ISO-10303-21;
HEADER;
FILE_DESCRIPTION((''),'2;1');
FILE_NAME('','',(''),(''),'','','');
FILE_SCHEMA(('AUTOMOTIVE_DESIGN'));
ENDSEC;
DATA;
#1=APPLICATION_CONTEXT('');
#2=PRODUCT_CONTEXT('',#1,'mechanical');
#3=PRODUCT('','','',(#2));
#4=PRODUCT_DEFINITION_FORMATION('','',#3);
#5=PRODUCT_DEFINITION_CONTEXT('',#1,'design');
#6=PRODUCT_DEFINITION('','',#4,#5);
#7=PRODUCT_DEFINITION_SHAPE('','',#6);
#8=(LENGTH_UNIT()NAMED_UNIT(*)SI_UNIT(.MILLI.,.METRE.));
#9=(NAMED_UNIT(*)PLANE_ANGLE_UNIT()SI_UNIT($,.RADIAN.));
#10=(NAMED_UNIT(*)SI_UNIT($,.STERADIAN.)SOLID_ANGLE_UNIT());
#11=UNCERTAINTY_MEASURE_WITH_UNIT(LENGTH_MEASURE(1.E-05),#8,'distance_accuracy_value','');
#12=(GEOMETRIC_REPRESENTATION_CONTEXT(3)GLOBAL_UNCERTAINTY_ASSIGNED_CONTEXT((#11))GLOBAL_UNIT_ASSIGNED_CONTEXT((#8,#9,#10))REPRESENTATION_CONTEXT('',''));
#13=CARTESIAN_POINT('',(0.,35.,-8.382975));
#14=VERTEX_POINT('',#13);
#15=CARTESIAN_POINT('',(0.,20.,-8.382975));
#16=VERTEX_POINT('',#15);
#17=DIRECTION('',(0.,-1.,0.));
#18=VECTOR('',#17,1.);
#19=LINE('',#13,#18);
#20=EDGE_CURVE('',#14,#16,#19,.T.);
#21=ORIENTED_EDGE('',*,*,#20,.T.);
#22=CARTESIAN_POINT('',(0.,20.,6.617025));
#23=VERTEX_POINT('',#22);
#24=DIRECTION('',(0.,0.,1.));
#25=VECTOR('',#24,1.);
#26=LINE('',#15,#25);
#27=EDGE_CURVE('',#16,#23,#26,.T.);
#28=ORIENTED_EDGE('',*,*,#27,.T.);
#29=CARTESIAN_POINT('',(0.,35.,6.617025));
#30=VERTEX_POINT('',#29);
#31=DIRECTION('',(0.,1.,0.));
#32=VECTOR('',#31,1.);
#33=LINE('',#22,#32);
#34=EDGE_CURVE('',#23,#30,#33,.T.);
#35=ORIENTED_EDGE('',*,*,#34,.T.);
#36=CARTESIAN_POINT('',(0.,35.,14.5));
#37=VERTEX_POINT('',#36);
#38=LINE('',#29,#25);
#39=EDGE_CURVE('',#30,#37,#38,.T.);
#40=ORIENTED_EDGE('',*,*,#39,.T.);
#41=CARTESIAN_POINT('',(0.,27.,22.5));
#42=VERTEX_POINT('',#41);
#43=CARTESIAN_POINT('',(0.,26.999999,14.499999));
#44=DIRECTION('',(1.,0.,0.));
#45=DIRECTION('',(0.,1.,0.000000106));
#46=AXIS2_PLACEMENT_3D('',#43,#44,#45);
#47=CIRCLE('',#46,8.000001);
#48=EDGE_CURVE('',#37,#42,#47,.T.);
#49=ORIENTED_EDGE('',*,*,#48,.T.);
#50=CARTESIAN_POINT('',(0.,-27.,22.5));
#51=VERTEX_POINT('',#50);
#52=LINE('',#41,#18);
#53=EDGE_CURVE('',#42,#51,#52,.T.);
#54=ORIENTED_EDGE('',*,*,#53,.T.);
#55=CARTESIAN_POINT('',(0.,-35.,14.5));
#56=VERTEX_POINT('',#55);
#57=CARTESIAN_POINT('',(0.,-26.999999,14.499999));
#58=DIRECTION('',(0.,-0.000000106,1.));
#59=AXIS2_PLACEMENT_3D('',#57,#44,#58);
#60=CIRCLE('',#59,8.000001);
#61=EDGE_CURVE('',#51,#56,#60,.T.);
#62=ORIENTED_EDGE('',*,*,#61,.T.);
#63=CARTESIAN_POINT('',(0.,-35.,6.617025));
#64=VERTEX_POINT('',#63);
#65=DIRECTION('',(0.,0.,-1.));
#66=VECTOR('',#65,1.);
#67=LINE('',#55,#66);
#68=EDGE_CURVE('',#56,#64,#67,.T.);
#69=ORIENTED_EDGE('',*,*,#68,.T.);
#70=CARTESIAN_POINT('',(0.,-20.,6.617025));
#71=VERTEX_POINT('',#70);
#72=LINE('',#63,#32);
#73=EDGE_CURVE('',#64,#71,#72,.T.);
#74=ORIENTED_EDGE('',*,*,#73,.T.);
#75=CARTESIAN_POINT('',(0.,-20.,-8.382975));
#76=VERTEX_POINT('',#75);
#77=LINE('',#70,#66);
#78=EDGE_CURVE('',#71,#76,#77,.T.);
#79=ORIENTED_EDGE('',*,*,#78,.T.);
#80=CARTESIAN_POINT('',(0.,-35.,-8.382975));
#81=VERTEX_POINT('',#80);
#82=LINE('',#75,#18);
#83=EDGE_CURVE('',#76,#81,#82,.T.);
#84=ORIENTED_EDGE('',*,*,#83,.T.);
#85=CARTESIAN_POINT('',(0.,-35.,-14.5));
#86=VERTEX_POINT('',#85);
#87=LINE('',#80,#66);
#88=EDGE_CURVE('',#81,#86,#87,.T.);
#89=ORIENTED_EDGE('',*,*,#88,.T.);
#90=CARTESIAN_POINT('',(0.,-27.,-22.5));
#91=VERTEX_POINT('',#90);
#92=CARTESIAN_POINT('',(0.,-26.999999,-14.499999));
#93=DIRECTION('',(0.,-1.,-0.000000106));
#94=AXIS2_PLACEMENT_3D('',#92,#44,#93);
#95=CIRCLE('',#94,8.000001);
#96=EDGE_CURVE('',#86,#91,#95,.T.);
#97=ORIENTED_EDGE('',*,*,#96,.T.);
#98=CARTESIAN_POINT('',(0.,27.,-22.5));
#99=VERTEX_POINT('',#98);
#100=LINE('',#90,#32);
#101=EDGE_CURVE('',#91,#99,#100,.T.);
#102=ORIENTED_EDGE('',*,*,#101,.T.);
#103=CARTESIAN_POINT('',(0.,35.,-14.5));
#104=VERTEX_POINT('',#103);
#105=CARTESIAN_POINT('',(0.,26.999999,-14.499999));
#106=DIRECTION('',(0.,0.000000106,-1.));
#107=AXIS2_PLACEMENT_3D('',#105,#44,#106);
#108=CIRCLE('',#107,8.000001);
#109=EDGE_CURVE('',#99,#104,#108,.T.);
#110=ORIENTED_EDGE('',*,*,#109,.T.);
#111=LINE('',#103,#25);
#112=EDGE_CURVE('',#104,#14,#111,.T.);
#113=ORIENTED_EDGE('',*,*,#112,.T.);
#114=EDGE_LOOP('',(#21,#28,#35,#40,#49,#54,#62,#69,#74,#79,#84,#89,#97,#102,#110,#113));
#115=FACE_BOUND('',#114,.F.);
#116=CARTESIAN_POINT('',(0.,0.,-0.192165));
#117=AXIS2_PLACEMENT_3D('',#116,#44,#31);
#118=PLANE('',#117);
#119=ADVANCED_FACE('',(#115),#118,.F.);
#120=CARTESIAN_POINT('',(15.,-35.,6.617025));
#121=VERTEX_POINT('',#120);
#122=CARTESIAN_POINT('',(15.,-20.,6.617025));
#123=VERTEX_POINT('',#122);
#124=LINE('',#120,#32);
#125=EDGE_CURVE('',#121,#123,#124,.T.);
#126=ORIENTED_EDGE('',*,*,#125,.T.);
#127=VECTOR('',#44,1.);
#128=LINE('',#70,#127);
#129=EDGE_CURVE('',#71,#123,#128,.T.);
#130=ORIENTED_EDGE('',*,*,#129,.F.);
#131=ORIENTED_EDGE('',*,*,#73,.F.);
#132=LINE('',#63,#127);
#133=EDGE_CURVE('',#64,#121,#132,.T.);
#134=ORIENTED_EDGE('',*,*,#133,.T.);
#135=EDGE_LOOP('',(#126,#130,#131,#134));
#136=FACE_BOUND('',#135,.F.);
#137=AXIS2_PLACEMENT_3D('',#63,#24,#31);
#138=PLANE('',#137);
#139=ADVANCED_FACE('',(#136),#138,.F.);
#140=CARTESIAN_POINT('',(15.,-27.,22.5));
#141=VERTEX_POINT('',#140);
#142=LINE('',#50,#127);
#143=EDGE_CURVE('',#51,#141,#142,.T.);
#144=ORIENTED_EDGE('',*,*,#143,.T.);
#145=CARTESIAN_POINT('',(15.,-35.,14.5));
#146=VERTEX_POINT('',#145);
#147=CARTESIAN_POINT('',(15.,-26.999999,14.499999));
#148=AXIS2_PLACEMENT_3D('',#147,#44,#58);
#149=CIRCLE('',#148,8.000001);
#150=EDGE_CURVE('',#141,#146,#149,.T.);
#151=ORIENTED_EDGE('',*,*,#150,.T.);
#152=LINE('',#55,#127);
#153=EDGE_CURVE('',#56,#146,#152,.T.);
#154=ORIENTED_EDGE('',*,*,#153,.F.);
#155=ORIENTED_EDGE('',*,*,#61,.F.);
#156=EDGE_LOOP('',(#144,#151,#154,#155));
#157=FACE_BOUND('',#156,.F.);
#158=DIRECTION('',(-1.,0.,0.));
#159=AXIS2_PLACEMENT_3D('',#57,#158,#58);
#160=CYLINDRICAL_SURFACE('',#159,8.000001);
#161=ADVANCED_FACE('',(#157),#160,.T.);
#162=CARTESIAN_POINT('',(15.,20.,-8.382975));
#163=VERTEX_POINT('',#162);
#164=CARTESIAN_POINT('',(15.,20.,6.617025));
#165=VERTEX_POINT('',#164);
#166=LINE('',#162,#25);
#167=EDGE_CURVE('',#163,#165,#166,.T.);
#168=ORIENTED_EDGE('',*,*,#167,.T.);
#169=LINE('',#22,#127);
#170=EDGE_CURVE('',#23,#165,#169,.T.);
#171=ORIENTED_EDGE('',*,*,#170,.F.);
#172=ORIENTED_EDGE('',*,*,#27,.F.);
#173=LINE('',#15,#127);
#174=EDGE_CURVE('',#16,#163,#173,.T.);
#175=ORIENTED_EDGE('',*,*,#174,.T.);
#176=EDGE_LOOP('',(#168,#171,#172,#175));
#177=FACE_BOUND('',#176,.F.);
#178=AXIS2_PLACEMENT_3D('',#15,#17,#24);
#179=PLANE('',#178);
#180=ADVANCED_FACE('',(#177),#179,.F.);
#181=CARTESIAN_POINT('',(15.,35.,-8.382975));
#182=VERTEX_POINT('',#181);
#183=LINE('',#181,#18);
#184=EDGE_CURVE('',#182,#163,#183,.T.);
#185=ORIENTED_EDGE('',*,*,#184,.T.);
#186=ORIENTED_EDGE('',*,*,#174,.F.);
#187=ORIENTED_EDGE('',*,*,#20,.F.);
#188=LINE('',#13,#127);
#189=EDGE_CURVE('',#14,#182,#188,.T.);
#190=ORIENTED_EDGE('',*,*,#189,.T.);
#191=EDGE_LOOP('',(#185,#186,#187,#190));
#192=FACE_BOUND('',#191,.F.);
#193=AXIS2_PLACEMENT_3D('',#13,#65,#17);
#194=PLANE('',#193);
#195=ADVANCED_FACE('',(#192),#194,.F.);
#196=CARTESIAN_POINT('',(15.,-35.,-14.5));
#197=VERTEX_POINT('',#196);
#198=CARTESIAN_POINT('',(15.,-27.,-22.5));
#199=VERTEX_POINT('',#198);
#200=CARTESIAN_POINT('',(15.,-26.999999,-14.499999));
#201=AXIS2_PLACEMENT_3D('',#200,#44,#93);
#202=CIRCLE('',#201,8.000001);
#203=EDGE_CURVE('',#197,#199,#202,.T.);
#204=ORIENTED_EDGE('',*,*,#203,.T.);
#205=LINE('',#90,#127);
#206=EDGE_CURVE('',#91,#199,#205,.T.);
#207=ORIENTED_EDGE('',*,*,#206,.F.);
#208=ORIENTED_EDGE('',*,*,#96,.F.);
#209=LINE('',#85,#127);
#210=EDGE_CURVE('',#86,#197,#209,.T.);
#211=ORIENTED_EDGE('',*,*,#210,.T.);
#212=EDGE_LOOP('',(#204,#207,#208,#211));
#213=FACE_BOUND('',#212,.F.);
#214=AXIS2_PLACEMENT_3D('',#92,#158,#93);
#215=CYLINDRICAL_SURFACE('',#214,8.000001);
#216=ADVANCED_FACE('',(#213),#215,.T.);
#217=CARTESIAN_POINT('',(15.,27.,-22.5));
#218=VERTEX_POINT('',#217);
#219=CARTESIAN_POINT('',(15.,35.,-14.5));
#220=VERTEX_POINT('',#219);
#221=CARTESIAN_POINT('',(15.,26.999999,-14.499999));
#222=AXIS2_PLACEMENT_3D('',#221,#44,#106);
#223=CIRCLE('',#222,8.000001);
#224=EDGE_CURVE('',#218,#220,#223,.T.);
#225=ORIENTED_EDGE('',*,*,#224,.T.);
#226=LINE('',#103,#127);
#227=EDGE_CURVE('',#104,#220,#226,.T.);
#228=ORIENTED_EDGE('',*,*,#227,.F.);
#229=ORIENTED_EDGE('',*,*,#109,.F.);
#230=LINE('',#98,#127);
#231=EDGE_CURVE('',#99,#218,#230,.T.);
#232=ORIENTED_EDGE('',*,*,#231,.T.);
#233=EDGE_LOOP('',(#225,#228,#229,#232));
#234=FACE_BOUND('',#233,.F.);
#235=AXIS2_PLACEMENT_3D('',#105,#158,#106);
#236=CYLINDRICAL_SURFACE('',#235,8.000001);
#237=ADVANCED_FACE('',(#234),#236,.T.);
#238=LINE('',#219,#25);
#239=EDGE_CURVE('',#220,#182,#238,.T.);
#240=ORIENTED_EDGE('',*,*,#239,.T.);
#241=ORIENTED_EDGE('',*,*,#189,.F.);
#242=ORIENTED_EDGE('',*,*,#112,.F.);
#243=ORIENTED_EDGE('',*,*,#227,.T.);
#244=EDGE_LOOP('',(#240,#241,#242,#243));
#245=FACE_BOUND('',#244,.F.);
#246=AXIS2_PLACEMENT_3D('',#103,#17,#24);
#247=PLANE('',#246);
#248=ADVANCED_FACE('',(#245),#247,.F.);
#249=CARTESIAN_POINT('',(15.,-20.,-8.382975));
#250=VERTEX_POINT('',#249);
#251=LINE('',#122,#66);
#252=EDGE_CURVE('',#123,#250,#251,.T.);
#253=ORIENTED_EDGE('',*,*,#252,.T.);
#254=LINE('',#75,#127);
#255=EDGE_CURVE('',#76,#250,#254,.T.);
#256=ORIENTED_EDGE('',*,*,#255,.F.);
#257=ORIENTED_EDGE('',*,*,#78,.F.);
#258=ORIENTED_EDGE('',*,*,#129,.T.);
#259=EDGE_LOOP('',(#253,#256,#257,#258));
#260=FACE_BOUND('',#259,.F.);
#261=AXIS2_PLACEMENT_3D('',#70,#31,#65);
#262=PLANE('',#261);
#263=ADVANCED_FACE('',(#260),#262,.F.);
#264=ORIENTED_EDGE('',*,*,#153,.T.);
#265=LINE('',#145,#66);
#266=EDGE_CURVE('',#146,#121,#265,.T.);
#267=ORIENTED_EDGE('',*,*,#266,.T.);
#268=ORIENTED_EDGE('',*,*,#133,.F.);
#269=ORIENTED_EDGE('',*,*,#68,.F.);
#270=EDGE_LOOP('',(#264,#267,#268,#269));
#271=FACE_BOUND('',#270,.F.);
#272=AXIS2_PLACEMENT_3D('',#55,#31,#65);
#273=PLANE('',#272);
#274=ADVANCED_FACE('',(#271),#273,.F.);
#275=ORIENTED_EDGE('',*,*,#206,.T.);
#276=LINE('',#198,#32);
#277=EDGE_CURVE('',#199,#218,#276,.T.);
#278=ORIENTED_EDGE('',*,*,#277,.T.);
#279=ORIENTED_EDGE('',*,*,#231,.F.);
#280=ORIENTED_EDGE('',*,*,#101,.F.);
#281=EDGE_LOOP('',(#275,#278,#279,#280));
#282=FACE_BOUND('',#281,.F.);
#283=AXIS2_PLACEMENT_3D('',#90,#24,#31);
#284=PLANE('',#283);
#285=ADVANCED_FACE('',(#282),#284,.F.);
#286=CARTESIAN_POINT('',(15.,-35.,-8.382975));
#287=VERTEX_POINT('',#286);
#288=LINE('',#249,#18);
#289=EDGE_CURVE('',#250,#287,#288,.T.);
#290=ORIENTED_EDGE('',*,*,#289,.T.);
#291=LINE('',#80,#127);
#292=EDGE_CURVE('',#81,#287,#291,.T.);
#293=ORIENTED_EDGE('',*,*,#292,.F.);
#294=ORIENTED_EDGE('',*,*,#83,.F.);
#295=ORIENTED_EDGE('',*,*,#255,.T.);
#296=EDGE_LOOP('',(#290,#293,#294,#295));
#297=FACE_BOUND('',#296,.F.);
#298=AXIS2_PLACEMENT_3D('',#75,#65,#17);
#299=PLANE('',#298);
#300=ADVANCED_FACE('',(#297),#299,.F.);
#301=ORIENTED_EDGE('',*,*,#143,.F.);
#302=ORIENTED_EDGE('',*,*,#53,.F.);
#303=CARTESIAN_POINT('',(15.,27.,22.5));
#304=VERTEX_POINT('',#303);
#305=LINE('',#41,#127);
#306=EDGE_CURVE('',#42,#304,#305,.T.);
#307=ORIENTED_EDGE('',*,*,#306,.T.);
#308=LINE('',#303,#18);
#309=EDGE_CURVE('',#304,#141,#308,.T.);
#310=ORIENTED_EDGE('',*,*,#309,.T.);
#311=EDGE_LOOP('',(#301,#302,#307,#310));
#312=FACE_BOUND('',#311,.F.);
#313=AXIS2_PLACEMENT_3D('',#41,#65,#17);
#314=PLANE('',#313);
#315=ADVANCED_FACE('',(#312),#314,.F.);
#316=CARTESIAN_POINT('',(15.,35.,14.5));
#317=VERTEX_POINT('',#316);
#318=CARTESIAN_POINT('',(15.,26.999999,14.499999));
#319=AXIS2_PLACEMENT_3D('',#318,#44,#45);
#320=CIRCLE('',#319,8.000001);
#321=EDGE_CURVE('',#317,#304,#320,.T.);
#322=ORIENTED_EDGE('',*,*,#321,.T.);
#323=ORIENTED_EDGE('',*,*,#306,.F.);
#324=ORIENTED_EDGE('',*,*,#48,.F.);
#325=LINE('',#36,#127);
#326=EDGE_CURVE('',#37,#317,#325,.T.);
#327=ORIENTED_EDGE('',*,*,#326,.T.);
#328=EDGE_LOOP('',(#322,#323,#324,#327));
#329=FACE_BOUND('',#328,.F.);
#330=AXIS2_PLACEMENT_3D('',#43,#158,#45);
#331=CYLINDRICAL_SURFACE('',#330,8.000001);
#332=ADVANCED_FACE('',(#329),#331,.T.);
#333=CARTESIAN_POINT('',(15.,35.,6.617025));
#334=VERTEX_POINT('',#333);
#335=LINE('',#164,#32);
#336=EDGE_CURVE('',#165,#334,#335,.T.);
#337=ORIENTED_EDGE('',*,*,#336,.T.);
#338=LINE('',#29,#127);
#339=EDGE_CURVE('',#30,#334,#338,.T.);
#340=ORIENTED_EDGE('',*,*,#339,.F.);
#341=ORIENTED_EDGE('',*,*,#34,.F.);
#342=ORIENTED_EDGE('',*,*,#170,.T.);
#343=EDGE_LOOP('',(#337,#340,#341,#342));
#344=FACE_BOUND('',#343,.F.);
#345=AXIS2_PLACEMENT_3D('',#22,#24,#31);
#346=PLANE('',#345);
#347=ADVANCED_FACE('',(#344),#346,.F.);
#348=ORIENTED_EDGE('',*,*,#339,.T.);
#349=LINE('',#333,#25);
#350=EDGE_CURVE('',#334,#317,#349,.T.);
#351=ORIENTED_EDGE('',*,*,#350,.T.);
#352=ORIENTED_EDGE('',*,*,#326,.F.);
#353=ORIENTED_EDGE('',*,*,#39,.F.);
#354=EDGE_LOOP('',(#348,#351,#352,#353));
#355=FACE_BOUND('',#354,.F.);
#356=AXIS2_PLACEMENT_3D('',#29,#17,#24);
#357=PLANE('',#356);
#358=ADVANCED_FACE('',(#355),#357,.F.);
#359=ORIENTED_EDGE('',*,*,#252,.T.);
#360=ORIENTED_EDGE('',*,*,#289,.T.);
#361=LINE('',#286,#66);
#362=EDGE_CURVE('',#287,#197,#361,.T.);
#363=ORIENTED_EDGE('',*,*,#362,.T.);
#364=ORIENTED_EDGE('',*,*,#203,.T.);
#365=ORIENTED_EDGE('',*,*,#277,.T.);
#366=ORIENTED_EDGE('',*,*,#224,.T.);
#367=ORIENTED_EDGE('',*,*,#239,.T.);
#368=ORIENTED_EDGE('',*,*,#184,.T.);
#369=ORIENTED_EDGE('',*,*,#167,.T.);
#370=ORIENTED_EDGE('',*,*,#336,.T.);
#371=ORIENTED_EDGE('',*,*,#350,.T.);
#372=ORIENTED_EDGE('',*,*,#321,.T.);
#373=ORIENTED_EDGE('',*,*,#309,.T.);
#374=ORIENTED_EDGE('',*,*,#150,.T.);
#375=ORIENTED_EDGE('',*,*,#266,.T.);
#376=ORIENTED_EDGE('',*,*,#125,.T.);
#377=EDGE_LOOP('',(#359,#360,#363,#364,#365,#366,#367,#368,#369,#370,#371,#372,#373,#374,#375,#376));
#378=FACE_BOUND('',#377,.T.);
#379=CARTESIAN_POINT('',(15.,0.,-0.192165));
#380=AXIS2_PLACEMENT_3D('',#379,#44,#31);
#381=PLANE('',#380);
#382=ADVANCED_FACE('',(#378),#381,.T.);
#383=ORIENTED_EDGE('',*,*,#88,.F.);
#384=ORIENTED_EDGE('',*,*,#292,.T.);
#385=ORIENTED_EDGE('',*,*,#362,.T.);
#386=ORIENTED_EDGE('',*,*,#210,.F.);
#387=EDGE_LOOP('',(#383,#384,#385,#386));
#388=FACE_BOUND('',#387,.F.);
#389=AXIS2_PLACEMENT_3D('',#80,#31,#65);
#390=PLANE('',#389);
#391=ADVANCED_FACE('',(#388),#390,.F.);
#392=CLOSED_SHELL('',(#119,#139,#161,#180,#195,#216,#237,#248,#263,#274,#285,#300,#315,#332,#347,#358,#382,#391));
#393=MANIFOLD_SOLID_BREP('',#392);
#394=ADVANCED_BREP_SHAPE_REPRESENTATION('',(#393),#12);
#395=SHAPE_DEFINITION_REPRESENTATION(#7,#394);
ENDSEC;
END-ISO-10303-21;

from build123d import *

# Parameters (mm, degrees)
F1_DEPTH = 15


with BuildPart() as f1:
    # F0 (on Right) → F1 (new body)
    with BuildSketch(Plane.YZ):
        with BuildLine():
            ThreePointArc((35, 14.5), (32.656854, 20.156854), (27, 22.5))
            Line((27, 22.5), (-27, 22.5))
            ThreePointArc((-27, 22.5), (-32.656854, 20.156854), (-35, 14.5))
            Line((-35, 14.5), (-35, 6.617025))
            Line((-35, 6.617025), (-20, 6.617025))
            Line((-20, 6.617025), (-20, -8.382975))
            Line((-20, -8.382975), (-35, -8.382975))
            Line((-35, -8.382975), (-35, -14.5))
            ThreePointArc((-35, -14.5), (-32.656854, -20.156854), (-27, -22.5))
            Line((-27, -22.5), (27, -22.5))
            ThreePointArc((27, -22.5), (32.656854, -20.156854), (35, -14.5))
            Line((35, -14.5), (35, -8.382975))
            Line((35, -8.382975), (20, -8.382975))
            Line((20, -8.382975), (20, 6.617025))
            Line((20, 6.617025), (35, 6.617025))
            Line((35, 6.617025), (35, 14.5))
        make_face()
    extrude(amount=F1_DEPTH)


solid = f1.part
